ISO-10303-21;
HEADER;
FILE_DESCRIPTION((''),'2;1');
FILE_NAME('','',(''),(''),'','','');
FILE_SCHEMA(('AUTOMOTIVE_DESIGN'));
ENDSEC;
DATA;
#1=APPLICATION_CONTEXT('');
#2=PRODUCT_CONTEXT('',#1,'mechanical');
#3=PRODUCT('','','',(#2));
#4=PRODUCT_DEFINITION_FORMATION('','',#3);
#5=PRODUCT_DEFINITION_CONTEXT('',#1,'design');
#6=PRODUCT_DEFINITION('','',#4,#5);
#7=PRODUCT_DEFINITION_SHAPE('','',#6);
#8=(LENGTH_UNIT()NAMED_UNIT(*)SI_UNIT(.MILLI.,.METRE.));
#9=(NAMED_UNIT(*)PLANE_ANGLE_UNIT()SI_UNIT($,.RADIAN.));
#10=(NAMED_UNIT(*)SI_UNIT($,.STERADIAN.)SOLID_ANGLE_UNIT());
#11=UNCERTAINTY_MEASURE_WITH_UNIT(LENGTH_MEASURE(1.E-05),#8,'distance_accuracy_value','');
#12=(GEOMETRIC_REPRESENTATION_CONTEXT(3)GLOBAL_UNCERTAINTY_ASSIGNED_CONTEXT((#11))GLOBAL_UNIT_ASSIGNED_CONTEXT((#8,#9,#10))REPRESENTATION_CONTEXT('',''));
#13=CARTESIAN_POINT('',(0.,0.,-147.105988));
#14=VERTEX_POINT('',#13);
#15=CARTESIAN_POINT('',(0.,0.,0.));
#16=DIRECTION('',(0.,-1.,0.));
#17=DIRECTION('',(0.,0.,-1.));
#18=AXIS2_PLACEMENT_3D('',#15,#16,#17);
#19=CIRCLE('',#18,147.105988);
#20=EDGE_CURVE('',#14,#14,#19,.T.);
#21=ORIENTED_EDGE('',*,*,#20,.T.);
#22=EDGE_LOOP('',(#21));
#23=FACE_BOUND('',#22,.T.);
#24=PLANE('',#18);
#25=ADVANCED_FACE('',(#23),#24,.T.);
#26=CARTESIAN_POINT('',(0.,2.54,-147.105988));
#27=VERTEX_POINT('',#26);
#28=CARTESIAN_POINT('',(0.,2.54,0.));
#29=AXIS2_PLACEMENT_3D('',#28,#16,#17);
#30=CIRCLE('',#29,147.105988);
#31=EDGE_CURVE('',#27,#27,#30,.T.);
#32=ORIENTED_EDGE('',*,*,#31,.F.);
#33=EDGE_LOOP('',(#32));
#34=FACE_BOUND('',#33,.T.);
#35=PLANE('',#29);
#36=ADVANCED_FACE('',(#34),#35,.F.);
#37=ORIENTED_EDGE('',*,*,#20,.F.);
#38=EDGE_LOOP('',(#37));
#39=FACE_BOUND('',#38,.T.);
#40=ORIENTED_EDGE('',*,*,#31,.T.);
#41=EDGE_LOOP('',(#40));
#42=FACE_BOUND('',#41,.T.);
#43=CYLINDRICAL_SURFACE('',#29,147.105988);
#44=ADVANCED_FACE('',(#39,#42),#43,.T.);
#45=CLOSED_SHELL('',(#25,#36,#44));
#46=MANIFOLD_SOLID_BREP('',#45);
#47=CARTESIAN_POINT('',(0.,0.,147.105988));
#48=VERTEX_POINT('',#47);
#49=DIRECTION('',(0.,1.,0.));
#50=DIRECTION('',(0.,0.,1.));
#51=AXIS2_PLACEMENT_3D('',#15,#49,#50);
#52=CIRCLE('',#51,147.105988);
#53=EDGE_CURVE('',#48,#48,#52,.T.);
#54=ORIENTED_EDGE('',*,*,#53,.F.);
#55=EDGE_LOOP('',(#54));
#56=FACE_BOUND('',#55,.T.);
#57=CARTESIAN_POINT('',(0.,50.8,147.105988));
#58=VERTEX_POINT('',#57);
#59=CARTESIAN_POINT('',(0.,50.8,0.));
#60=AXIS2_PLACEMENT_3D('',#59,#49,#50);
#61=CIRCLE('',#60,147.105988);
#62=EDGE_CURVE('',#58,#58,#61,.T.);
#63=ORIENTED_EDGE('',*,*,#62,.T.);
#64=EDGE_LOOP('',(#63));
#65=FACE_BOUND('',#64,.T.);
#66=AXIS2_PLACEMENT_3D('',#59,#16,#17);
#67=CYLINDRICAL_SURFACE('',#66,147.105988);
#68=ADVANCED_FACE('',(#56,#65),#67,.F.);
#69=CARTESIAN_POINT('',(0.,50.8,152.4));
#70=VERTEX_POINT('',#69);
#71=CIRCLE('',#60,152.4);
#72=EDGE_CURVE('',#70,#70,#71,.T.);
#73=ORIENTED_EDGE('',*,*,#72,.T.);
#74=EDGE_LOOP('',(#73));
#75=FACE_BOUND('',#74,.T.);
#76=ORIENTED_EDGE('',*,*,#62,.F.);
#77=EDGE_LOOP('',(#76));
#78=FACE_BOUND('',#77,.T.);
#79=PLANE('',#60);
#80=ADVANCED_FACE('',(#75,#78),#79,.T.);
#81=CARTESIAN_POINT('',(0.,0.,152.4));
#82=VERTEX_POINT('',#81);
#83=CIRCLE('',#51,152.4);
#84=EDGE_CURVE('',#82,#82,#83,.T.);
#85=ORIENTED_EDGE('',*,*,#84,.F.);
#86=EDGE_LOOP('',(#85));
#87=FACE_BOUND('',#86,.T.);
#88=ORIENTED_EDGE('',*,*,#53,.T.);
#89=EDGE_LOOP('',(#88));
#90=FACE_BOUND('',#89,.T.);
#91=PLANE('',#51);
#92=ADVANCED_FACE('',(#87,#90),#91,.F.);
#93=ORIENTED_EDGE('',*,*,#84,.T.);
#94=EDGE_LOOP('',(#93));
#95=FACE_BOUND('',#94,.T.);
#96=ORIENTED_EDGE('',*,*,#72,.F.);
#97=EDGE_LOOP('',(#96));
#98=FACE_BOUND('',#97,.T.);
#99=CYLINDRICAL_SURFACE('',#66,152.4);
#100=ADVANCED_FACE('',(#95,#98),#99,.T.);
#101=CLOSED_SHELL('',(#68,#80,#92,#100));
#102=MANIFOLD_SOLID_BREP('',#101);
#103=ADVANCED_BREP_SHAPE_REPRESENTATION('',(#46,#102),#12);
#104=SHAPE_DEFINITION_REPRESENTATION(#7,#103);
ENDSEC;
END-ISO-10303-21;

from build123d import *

# Parameters (mm, degrees)
SKETCH1_R           = 152.4
SKETCH1_R_2         = 147.105988381
BOSS_EXTRUDE1_DEPTH = 50.8
SKETCH3_R           = 147.105988381
BOSS_EXTRUDE2_DEPTH = 2.54


with BuildPart() as part:
    # Sketch1 → Boss-Extrude1 (new body)
    with BuildSketch(Plane(origin=(0, 0, 0), x_dir=(1, 0, 0), z_dir=(0, 1, 0))):
        Circle(SKETCH1_R)
        Circle(SKETCH1_R_2, mode=Mode.SUBTRACT)
    extrude(amount=BOSS_EXTRUDE1_DEPTH)


with BuildPart() as body_2:
    # Sketch3 → Boss-Extrude2 (new body)
    with BuildSketch(Plane.XZ):
        Circle(SKETCH3_R)
    extrude(amount=-BOSS_EXTRUDE2_DEPTH)


solid = Compound([part.part, body_2.part])
